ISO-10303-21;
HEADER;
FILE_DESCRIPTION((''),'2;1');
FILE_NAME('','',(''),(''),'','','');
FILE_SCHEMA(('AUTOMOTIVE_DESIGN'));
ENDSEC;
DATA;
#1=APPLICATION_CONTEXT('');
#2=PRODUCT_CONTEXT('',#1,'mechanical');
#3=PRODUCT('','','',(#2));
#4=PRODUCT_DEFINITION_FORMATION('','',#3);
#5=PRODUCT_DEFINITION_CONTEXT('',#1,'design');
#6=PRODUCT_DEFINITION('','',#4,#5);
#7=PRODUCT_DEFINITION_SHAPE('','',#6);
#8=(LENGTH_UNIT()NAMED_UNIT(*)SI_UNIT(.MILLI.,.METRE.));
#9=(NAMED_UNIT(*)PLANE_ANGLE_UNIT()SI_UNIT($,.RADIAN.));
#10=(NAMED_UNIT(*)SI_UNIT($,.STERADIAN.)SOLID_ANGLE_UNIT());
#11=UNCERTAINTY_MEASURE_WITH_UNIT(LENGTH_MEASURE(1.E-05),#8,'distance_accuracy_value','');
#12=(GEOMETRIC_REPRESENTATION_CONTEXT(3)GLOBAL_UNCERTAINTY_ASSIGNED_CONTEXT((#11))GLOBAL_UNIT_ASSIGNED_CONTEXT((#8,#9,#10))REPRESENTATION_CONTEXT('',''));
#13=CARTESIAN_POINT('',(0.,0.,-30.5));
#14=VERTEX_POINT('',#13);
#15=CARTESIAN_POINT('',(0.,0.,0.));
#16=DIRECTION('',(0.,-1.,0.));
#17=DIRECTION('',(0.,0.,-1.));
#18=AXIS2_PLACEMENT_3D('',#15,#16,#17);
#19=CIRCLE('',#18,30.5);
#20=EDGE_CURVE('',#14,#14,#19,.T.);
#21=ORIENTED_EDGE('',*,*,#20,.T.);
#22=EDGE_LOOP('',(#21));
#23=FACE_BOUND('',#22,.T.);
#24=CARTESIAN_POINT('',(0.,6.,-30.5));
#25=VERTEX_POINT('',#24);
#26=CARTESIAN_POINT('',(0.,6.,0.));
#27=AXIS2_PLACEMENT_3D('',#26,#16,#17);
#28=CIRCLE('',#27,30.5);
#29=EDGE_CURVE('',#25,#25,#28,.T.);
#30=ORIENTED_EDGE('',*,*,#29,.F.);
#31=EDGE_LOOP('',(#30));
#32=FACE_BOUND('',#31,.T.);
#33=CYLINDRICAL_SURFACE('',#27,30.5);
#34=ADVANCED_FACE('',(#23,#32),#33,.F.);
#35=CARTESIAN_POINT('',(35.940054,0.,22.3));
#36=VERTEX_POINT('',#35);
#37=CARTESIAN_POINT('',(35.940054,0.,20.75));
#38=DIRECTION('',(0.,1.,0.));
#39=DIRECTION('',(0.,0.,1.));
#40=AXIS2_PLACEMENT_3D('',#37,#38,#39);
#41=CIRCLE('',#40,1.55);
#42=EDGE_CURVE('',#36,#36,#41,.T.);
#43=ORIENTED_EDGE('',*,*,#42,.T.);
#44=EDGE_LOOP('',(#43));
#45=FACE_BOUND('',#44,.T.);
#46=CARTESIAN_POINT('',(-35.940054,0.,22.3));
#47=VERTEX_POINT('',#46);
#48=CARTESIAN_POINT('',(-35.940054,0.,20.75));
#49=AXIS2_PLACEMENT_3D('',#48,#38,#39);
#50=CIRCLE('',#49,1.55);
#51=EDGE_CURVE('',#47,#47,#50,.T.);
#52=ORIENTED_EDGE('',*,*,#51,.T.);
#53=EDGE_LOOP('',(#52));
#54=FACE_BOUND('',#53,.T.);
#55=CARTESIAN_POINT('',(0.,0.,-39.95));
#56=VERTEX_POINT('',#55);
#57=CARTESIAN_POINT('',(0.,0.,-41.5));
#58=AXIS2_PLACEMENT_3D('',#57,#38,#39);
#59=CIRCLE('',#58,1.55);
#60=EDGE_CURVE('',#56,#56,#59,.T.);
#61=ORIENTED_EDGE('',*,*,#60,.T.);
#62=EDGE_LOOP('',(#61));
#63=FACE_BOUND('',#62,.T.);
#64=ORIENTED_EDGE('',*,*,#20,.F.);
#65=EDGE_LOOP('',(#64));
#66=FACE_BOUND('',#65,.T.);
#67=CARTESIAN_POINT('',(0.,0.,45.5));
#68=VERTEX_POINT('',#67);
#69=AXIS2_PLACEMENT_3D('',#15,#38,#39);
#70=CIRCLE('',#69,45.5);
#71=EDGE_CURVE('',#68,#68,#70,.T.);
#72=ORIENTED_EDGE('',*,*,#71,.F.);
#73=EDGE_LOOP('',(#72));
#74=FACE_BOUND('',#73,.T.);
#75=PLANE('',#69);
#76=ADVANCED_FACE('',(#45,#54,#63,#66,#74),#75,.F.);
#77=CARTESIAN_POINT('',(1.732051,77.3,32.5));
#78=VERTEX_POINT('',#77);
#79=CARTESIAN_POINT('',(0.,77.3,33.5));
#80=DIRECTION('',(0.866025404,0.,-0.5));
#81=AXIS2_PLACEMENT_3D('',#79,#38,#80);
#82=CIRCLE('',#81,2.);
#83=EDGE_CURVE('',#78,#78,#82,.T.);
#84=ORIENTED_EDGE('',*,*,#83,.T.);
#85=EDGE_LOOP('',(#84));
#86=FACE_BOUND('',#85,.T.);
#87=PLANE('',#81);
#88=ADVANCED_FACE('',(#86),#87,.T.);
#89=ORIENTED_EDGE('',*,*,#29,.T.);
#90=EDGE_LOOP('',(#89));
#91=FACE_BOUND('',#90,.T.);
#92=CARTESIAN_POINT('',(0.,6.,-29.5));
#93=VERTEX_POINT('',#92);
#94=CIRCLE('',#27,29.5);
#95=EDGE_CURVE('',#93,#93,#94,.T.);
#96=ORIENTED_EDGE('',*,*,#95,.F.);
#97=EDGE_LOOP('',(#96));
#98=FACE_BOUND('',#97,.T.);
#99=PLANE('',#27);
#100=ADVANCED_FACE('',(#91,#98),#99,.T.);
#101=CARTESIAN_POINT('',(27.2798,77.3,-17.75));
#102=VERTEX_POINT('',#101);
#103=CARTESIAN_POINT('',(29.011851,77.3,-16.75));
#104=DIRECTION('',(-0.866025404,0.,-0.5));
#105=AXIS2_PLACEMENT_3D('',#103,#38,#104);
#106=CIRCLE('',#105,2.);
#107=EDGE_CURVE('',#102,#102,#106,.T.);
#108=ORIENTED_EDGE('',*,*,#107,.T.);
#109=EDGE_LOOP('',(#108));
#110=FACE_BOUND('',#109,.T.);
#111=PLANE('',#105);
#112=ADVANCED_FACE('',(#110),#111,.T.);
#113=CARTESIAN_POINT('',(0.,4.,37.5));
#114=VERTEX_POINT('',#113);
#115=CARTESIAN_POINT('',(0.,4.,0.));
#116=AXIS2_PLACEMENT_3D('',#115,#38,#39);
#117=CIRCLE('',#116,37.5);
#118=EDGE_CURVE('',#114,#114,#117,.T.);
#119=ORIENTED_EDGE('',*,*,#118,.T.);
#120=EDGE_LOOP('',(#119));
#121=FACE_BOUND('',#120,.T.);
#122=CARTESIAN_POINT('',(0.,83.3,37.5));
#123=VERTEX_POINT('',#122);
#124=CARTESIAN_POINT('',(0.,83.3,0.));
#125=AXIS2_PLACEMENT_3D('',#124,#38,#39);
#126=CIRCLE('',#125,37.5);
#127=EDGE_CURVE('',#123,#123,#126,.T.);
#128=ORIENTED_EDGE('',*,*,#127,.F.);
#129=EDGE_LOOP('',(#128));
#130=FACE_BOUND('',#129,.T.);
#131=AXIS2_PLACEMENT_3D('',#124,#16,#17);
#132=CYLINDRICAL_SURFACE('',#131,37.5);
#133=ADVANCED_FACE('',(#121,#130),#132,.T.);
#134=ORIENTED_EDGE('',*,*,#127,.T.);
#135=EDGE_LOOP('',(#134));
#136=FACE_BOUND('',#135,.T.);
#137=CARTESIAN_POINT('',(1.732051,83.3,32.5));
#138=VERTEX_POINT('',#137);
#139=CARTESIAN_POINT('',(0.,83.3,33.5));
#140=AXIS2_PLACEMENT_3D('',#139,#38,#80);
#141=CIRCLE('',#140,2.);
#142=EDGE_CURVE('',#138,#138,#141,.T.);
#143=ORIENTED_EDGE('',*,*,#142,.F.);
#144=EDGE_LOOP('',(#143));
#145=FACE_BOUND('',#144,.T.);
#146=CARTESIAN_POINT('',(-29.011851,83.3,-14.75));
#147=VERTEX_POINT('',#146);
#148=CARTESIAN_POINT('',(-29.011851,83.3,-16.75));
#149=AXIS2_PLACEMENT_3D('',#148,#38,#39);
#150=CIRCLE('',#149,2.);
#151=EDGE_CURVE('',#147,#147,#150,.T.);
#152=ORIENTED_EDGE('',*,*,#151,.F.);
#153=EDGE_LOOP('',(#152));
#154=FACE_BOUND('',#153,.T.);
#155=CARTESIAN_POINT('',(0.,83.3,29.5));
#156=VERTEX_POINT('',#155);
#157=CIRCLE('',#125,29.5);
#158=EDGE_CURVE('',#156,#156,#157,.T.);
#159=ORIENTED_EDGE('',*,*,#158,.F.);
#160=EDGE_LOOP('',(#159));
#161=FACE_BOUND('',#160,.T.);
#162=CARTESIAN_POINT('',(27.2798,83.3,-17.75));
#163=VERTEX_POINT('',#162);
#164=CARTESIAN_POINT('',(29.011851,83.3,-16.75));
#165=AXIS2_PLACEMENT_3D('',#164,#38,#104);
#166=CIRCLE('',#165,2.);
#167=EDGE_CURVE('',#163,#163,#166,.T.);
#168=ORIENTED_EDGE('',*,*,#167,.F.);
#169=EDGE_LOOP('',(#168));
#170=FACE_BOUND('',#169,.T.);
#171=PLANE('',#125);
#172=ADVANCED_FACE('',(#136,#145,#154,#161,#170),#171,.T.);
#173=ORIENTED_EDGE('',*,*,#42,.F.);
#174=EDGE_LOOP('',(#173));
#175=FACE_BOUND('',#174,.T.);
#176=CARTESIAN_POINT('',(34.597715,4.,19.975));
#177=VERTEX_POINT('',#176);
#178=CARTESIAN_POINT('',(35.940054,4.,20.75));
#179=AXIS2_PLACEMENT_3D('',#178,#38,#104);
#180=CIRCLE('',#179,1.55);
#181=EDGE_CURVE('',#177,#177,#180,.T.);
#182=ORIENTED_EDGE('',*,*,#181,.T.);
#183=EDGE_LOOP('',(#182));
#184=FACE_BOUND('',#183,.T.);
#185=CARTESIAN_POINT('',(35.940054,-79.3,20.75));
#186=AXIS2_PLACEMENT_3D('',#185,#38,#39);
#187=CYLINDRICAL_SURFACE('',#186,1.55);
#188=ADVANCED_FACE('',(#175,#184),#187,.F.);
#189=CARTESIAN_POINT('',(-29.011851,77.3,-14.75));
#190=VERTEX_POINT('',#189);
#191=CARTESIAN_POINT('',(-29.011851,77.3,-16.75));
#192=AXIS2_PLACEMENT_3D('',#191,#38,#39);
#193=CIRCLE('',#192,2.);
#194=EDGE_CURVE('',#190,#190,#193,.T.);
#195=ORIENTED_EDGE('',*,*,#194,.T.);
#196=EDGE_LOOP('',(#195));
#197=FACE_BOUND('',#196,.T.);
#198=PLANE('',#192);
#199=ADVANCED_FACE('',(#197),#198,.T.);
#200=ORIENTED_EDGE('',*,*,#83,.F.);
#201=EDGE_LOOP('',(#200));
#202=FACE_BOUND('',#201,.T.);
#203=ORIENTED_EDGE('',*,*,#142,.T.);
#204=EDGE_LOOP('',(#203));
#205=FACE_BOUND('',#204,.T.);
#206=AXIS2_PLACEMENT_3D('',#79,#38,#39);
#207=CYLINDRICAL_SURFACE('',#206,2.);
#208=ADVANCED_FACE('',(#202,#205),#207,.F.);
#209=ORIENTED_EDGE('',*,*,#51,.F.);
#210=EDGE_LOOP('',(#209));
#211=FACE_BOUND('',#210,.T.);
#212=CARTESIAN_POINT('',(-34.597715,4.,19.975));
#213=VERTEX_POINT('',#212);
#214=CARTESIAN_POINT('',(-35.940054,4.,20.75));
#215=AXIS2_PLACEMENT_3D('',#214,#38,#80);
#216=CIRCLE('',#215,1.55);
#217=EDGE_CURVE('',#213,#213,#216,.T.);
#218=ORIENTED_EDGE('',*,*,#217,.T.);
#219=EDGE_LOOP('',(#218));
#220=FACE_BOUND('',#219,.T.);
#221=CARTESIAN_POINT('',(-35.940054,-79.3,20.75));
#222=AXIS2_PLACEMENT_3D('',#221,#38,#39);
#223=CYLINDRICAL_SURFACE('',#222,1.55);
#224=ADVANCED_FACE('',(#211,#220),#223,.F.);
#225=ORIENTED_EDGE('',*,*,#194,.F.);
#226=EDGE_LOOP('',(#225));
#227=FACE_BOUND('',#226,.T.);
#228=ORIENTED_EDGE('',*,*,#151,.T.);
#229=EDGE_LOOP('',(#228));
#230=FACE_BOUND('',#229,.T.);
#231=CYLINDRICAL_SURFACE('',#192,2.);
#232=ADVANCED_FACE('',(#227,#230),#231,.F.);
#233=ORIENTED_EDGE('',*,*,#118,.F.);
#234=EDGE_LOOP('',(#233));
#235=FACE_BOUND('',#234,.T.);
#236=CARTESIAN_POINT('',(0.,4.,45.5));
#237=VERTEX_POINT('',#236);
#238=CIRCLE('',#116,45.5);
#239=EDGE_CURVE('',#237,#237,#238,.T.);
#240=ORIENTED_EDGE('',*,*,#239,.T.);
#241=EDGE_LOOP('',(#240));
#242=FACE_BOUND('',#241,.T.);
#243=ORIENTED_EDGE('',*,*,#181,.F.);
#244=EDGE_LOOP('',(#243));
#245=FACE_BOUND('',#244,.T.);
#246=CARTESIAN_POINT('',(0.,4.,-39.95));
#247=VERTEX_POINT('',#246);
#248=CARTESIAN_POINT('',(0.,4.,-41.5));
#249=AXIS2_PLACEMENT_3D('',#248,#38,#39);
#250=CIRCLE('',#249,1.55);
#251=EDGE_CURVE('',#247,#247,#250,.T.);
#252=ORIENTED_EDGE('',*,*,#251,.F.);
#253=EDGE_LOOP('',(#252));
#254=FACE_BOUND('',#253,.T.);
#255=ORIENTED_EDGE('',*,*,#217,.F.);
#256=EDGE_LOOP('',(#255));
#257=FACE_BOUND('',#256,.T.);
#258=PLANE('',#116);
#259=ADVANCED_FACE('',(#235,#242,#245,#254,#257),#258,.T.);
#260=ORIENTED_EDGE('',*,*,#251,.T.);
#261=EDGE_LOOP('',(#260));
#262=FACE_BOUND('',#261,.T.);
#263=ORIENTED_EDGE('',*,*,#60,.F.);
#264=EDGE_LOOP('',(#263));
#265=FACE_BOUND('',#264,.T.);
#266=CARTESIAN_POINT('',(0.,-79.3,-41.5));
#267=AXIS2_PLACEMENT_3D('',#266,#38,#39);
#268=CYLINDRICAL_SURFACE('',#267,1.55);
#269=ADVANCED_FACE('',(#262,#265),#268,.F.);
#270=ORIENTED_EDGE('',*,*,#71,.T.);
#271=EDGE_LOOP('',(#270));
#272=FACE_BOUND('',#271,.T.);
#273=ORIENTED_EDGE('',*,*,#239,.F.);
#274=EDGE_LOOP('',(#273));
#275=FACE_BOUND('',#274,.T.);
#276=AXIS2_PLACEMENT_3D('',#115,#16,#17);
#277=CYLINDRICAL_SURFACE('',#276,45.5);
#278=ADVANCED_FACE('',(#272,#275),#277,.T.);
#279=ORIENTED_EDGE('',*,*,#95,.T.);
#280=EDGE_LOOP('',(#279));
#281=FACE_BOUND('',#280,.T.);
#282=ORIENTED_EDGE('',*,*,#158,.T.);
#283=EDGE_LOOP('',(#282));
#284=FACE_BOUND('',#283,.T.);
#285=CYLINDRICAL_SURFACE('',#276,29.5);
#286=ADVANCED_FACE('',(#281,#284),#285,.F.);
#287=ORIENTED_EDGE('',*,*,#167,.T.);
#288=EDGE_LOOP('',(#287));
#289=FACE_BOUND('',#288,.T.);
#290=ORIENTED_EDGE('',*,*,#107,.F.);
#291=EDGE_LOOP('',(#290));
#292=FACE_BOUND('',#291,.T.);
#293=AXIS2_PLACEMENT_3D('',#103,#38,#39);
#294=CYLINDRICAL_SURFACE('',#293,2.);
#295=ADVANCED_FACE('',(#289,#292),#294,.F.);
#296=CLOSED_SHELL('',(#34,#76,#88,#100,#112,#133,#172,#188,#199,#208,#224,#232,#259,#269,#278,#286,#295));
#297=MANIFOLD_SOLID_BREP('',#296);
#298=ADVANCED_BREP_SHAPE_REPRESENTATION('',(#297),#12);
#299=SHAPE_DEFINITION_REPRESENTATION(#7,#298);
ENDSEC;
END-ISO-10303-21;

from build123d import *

# Parameters (mm, degrees)
SKETCH1_R           = 45.5
SKETCH1_R_2         = 29.5
BOSS_EXTRUDE1_DEPTH = 4
SKETCH2_R           = 37.5
SKETCH2_R_2         = 29.5
BOSS_EXTRUDE2_DEPTH = 79.3
SKETCH4_R           = 1.55
CUT_EXTRUDE1_DEPTH  = 83.3
CIRPATTERN1_COUNT   = 3
SKETCH6_R           = 2
CUT_EXTRUDE2_DEPTH  = 6
CIRPATTERN2_COUNT   = 3
SKETCH8_R           = 30.5
CUT_EXTRUDE4_DEPTH  = 6


with BuildPart() as part:
    # Sketch1 → Boss-Extrude1 (new body)
    with BuildSketch(Plane(origin=(0, 0, 0), x_dir=(1, 0, 0), z_dir=(0, 1, 0))):
        with Locations(Location((0, 0, 0), (0, 0, 270))):
            Circle(SKETCH1_R)
        with Locations(Location((0, 0, 0), (0, 0, 270))):
            Circle(SKETCH1_R_2, mode=Mode.SUBTRACT)
    extrude(amount=BOSS_EXTRUDE1_DEPTH)

    # Sketch2 → Boss-Extrude2 (add)
    with BuildSketch(Plane(origin=(0, 4, 0), x_dir=(1, 0, 0), z_dir=(0, 1, 0))):
        with Locations(Location((0, 0, 0), (0, 0, 270))):
            Circle(SKETCH2_R)
        with Locations(Location((0, 0, 0), (0, 0, 270))):
            Circle(SKETCH2_R_2, mode=Mode.SUBTRACT)
    extrude(amount=BOSS_EXTRUDE2_DEPTH)

    # Sketch4 → Cut-Extrude1 (cut)
    with BuildSketch(Plane(origin=(0, 4, 0), x_dir=(1, 0, 0), z_dir=(0, 1, 0))):
        with Locations(Location((0, 41.5, 0), (0, 0, 270))):
            Circle(SKETCH4_R)
    cut_extrude1 = extrude(amount=-CUT_EXTRUDE1_DEPTH, mode=Mode.SUBTRACT)

    # CirPattern1: Cut-Extrude1 ×3 about axis
    cirpattern1_axis = Axis((0, 0, 0), (0, 1, 0))
    for i in range(1, CIRPATTERN1_COUNT):
        add(cut_extrude1.rotate(cirpattern1_axis, i * 360 / CIRPATTERN1_COUNT), mode=Mode.SUBTRACT)

    # Sketch6 → Cut-Extrude2 (cut)
    with BuildSketch(Plane(origin=(0, 83.3, 0), x_dir=(1, 0, 0), z_dir=(0, 1, 0))):
        with Locations(Location((-29.011851027, 16.75, 0), (0, 0, 270))):
            Circle(SKETCH6_R)
    cut_extrude2 = extrude(amount=-CUT_EXTRUDE2_DEPTH, mode=Mode.SUBTRACT)

    # CirPattern2: Cut-Extrude2 ×3 about axis
    cirpattern2_axis = Axis((0, 0, 0), (0, 1, 0))
    for i in range(1, CIRPATTERN2_COUNT):
        add(cut_extrude2.rotate(cirpattern2_axis, i * 360 / CIRPATTERN2_COUNT), mode=Mode.SUBTRACT)

    # Sketch8 → Cut-Extrude4 (cut)
    with BuildSketch(Plane.XZ):
        with Locations(Location((0, 0, 0), (0, 0, 270))):
            Circle(SKETCH8_R)
    extrude(amount=-CUT_EXTRUDE4_DEPTH, mode=Mode.SUBTRACT)


solid = part.part
